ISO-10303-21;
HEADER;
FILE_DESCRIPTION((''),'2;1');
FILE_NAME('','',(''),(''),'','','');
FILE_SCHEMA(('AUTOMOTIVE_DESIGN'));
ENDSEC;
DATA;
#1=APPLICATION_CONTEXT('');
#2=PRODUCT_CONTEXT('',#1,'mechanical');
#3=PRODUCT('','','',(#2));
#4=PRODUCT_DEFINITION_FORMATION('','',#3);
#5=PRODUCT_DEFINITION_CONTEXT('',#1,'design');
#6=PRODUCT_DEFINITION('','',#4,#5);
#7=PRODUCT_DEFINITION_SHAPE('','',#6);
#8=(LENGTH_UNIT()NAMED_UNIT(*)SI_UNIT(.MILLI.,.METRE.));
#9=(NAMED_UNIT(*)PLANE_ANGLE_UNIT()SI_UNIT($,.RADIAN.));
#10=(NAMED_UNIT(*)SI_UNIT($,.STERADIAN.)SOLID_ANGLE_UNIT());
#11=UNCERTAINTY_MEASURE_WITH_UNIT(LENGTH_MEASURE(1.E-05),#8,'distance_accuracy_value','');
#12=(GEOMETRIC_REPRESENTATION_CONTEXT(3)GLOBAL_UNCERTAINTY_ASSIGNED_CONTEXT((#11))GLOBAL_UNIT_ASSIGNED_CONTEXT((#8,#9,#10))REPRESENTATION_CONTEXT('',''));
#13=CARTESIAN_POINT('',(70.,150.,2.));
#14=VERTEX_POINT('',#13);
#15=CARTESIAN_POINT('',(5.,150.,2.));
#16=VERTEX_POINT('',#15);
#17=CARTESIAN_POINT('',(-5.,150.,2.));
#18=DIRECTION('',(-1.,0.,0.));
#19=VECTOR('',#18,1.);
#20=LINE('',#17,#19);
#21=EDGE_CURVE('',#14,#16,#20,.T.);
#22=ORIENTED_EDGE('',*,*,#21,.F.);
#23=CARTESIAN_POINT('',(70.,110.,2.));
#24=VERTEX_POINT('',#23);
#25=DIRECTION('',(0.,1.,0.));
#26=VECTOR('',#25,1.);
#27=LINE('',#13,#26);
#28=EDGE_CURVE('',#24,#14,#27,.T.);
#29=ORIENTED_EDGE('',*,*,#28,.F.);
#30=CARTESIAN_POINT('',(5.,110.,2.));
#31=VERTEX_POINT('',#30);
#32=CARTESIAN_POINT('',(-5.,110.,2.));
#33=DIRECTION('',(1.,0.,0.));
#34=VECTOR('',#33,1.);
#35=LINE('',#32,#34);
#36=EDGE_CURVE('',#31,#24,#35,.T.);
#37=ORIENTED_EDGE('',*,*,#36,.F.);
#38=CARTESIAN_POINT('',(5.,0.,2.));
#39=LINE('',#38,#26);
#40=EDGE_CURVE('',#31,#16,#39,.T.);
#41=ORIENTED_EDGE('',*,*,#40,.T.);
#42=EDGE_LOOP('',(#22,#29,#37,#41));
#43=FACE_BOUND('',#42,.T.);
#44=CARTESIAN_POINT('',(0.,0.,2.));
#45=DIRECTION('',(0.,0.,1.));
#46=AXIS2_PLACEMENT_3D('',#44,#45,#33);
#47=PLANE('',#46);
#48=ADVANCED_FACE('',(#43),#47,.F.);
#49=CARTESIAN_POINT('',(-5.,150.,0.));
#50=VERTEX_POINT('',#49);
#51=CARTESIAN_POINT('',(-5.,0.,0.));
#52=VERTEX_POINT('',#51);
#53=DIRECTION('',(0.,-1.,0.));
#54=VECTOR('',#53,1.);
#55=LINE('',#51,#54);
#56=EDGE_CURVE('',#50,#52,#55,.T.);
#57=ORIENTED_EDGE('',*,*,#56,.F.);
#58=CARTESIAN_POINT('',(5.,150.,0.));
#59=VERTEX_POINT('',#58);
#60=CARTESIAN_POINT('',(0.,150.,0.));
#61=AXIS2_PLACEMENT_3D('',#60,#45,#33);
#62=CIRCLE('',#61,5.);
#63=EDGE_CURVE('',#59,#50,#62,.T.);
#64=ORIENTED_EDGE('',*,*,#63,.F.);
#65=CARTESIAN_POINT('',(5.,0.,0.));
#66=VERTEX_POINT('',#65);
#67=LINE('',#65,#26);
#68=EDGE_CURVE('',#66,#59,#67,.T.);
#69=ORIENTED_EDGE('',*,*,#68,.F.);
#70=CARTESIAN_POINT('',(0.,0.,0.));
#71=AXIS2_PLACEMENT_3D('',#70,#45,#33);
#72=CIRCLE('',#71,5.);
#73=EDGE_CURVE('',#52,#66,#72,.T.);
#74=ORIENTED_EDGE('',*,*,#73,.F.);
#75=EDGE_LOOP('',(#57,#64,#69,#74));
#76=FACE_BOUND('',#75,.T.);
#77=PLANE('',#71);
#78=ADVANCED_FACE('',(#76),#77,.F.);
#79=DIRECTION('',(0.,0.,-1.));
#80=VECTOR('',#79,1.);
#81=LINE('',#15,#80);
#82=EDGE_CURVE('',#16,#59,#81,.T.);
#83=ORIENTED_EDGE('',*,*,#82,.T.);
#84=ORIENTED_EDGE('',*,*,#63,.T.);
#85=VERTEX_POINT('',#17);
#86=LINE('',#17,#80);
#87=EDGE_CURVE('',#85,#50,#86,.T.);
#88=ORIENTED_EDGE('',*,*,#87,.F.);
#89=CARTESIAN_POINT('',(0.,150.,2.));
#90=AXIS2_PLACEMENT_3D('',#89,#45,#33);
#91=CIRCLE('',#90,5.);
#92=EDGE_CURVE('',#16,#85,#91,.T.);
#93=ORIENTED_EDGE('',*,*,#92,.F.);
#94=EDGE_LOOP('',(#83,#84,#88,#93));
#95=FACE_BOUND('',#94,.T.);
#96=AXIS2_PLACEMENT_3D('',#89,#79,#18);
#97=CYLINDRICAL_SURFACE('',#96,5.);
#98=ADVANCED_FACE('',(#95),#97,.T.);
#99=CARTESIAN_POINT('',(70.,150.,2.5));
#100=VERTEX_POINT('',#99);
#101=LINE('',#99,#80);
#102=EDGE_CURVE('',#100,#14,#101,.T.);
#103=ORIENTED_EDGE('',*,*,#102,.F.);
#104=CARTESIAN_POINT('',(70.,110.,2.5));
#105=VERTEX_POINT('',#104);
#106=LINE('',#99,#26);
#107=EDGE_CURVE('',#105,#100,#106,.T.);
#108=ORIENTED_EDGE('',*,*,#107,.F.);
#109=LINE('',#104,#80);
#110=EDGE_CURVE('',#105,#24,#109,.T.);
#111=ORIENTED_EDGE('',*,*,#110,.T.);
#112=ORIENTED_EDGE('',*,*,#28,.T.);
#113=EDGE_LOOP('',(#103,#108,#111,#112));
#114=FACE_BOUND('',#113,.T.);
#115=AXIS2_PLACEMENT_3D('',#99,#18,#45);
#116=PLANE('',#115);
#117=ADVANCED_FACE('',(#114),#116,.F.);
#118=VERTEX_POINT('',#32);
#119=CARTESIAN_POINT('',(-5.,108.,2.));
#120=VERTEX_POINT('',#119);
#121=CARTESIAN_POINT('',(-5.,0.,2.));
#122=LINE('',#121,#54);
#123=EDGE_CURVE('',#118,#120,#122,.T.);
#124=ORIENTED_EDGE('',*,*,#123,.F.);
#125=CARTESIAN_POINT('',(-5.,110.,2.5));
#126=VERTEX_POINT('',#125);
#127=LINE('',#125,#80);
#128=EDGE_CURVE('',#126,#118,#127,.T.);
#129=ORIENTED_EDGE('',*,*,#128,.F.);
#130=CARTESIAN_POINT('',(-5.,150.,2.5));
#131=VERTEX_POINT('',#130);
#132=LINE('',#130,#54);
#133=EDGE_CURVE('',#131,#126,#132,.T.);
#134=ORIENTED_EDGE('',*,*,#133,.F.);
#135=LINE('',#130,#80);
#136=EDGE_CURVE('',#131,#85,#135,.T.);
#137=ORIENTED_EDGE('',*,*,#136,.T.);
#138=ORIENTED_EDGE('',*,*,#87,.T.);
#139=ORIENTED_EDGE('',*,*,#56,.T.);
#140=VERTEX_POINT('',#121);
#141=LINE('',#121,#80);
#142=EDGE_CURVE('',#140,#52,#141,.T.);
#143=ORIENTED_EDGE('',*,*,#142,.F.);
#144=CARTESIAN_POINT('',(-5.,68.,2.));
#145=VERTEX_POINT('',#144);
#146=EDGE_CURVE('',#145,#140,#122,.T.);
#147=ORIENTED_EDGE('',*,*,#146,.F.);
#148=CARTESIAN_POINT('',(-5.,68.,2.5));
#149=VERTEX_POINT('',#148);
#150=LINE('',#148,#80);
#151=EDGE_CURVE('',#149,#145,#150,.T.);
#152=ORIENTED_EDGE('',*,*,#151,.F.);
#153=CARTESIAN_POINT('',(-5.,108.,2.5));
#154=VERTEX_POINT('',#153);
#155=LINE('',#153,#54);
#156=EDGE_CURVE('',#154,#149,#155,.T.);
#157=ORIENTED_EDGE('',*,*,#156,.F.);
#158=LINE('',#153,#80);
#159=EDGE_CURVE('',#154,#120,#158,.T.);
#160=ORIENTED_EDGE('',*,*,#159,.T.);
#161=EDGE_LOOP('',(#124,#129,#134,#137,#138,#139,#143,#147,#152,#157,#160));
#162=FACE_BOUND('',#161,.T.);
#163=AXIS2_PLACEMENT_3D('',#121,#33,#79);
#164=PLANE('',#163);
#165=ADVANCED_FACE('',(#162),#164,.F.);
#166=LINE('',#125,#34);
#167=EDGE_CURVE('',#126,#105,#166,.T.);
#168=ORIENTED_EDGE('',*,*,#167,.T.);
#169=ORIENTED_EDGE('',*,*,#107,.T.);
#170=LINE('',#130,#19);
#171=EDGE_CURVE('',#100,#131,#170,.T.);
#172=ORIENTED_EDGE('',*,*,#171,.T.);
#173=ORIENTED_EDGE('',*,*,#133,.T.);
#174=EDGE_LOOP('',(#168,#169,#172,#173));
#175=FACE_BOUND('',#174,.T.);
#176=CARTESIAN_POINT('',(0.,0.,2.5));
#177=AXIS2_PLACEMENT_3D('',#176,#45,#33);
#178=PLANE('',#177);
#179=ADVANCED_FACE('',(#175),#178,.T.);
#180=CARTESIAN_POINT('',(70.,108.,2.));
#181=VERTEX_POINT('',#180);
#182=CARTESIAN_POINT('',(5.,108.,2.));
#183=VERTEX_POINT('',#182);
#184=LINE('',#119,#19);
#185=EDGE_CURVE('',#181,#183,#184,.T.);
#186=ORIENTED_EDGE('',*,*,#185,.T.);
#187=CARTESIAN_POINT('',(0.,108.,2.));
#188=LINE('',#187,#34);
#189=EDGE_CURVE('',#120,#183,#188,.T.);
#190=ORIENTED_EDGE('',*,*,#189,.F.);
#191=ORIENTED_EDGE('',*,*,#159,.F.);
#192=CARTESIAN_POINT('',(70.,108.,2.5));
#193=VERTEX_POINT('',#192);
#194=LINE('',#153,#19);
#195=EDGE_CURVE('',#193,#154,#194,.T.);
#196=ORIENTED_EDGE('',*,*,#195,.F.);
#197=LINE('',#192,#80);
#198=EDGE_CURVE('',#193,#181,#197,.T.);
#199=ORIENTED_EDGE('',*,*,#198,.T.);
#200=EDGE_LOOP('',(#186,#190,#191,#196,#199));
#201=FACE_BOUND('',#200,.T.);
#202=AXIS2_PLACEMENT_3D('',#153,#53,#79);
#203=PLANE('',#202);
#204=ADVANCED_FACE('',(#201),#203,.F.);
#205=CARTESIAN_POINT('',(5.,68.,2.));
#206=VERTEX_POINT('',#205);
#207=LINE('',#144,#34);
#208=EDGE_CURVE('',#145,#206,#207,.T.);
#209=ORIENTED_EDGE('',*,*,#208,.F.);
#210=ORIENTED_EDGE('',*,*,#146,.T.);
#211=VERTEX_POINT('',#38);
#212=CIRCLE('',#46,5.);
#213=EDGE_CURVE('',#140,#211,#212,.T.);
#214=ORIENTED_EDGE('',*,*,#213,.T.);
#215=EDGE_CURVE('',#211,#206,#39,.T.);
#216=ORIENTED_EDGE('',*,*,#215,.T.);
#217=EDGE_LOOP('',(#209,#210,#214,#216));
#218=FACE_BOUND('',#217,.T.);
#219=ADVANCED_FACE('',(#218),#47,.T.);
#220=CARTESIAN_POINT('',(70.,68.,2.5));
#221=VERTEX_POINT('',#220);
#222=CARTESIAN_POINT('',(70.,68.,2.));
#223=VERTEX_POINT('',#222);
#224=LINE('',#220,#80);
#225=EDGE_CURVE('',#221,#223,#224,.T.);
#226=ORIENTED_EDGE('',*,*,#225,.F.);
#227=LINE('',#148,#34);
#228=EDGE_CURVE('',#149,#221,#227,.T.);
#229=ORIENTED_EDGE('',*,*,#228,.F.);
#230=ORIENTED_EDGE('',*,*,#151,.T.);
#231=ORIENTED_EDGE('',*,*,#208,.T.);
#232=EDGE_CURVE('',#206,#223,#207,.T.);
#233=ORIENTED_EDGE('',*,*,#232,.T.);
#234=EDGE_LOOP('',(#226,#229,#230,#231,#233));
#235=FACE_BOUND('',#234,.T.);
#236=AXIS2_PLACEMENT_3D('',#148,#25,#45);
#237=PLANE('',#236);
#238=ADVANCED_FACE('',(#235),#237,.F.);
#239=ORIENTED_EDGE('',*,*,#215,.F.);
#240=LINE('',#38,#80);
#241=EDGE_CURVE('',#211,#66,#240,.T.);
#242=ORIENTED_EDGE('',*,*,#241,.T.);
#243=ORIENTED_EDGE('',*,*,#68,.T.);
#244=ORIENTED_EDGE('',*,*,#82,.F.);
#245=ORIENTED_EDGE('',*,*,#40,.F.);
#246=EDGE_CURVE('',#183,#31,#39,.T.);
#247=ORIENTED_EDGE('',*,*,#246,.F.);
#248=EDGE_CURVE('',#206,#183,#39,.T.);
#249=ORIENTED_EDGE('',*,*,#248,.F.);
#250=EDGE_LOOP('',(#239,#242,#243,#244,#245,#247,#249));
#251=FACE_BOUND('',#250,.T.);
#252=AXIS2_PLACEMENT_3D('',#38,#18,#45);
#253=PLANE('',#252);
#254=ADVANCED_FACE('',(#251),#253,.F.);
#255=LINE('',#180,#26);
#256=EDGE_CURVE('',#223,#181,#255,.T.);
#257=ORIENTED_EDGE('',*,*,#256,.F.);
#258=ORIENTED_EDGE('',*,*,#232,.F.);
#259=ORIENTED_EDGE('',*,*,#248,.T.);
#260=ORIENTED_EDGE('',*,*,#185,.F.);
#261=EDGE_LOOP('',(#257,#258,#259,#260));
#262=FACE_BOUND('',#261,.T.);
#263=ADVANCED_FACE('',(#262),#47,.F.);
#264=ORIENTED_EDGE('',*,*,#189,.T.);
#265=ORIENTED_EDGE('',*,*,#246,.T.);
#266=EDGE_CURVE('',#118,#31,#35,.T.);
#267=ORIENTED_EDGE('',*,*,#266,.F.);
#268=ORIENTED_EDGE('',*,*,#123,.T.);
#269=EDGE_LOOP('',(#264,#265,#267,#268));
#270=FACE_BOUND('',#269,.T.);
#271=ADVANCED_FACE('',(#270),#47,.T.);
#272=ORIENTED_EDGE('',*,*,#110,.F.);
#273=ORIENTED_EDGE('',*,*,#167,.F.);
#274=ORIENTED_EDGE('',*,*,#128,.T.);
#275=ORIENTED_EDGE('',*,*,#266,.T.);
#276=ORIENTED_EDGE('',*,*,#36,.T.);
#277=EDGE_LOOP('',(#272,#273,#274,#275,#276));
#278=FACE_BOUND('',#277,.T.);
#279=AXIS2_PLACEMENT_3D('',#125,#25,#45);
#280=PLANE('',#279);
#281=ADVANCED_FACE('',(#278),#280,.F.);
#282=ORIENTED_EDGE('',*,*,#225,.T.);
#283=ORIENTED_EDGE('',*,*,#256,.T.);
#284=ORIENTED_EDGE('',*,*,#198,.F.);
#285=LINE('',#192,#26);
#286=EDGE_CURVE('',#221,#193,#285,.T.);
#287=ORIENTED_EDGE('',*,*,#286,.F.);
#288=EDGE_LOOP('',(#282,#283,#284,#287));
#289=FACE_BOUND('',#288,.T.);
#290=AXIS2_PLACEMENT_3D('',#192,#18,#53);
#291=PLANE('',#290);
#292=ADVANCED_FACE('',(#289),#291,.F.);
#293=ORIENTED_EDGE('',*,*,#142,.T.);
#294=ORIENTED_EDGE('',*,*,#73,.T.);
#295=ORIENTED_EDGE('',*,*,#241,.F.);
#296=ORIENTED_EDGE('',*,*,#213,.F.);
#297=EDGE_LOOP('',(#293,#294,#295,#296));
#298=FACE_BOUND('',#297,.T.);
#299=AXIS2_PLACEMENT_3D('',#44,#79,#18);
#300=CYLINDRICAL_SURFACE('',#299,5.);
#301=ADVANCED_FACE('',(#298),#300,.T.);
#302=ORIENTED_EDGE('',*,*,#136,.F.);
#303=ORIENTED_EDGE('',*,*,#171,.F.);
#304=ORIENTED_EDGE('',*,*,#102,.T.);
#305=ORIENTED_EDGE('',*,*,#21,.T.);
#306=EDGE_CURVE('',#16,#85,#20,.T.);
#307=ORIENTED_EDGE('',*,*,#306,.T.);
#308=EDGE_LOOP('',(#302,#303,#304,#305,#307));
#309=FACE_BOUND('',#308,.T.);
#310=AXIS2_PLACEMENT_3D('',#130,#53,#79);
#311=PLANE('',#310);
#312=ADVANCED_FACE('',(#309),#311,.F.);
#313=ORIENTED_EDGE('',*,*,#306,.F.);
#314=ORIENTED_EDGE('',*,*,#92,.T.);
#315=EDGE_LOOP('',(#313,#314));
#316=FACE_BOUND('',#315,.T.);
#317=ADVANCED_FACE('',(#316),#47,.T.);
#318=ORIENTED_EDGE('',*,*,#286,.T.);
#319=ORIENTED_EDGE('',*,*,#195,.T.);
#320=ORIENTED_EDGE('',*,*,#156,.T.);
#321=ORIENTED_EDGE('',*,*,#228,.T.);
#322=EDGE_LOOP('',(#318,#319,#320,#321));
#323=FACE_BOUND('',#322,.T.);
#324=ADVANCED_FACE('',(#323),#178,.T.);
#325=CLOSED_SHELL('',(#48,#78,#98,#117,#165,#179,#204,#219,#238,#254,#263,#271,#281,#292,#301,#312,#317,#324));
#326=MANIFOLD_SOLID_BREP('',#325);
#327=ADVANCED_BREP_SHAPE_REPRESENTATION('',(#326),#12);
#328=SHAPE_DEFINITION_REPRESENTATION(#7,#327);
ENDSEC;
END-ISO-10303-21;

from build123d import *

# Parameters (mm, degrees)
BOSS_EXTRU_1_DEPTH = 2
ESQUISSE2_W        = 75
ESQUISSE2_H        = 40
BOSS_EXTRU_2_DEPTH = 0.5


with BuildPart() as part:
    # Esquisse1 → Boss.-Extru.1 (new body)
    with BuildSketch(Plane.XY):
        with BuildLine():
            Line((-5, 0), (-5, 150))
            ThreePointArc((-5, 150), (0, 155), (5, 150))
            Line((5, 150), (5, 0))
            ThreePointArc((5, 0), (0, -5), (-5, 0))
        make_face()
    extrude(amount=BOSS_EXTRU_1_DEPTH)

    # Esquisse2 → Boss.-Extru.2 (add)
    with BuildSketch(Plane.XY.offset(2)):
        with Locations((32.5, 130)):
            Rectangle(ESQUISSE2_W, ESQUISSE2_H)
        with Locations((32.5, 88)):
            Rectangle(ESQUISSE2_W, ESQUISSE2_H)
    extrude(amount=BOSS_EXTRU_2_DEPTH)


solid = part.part
